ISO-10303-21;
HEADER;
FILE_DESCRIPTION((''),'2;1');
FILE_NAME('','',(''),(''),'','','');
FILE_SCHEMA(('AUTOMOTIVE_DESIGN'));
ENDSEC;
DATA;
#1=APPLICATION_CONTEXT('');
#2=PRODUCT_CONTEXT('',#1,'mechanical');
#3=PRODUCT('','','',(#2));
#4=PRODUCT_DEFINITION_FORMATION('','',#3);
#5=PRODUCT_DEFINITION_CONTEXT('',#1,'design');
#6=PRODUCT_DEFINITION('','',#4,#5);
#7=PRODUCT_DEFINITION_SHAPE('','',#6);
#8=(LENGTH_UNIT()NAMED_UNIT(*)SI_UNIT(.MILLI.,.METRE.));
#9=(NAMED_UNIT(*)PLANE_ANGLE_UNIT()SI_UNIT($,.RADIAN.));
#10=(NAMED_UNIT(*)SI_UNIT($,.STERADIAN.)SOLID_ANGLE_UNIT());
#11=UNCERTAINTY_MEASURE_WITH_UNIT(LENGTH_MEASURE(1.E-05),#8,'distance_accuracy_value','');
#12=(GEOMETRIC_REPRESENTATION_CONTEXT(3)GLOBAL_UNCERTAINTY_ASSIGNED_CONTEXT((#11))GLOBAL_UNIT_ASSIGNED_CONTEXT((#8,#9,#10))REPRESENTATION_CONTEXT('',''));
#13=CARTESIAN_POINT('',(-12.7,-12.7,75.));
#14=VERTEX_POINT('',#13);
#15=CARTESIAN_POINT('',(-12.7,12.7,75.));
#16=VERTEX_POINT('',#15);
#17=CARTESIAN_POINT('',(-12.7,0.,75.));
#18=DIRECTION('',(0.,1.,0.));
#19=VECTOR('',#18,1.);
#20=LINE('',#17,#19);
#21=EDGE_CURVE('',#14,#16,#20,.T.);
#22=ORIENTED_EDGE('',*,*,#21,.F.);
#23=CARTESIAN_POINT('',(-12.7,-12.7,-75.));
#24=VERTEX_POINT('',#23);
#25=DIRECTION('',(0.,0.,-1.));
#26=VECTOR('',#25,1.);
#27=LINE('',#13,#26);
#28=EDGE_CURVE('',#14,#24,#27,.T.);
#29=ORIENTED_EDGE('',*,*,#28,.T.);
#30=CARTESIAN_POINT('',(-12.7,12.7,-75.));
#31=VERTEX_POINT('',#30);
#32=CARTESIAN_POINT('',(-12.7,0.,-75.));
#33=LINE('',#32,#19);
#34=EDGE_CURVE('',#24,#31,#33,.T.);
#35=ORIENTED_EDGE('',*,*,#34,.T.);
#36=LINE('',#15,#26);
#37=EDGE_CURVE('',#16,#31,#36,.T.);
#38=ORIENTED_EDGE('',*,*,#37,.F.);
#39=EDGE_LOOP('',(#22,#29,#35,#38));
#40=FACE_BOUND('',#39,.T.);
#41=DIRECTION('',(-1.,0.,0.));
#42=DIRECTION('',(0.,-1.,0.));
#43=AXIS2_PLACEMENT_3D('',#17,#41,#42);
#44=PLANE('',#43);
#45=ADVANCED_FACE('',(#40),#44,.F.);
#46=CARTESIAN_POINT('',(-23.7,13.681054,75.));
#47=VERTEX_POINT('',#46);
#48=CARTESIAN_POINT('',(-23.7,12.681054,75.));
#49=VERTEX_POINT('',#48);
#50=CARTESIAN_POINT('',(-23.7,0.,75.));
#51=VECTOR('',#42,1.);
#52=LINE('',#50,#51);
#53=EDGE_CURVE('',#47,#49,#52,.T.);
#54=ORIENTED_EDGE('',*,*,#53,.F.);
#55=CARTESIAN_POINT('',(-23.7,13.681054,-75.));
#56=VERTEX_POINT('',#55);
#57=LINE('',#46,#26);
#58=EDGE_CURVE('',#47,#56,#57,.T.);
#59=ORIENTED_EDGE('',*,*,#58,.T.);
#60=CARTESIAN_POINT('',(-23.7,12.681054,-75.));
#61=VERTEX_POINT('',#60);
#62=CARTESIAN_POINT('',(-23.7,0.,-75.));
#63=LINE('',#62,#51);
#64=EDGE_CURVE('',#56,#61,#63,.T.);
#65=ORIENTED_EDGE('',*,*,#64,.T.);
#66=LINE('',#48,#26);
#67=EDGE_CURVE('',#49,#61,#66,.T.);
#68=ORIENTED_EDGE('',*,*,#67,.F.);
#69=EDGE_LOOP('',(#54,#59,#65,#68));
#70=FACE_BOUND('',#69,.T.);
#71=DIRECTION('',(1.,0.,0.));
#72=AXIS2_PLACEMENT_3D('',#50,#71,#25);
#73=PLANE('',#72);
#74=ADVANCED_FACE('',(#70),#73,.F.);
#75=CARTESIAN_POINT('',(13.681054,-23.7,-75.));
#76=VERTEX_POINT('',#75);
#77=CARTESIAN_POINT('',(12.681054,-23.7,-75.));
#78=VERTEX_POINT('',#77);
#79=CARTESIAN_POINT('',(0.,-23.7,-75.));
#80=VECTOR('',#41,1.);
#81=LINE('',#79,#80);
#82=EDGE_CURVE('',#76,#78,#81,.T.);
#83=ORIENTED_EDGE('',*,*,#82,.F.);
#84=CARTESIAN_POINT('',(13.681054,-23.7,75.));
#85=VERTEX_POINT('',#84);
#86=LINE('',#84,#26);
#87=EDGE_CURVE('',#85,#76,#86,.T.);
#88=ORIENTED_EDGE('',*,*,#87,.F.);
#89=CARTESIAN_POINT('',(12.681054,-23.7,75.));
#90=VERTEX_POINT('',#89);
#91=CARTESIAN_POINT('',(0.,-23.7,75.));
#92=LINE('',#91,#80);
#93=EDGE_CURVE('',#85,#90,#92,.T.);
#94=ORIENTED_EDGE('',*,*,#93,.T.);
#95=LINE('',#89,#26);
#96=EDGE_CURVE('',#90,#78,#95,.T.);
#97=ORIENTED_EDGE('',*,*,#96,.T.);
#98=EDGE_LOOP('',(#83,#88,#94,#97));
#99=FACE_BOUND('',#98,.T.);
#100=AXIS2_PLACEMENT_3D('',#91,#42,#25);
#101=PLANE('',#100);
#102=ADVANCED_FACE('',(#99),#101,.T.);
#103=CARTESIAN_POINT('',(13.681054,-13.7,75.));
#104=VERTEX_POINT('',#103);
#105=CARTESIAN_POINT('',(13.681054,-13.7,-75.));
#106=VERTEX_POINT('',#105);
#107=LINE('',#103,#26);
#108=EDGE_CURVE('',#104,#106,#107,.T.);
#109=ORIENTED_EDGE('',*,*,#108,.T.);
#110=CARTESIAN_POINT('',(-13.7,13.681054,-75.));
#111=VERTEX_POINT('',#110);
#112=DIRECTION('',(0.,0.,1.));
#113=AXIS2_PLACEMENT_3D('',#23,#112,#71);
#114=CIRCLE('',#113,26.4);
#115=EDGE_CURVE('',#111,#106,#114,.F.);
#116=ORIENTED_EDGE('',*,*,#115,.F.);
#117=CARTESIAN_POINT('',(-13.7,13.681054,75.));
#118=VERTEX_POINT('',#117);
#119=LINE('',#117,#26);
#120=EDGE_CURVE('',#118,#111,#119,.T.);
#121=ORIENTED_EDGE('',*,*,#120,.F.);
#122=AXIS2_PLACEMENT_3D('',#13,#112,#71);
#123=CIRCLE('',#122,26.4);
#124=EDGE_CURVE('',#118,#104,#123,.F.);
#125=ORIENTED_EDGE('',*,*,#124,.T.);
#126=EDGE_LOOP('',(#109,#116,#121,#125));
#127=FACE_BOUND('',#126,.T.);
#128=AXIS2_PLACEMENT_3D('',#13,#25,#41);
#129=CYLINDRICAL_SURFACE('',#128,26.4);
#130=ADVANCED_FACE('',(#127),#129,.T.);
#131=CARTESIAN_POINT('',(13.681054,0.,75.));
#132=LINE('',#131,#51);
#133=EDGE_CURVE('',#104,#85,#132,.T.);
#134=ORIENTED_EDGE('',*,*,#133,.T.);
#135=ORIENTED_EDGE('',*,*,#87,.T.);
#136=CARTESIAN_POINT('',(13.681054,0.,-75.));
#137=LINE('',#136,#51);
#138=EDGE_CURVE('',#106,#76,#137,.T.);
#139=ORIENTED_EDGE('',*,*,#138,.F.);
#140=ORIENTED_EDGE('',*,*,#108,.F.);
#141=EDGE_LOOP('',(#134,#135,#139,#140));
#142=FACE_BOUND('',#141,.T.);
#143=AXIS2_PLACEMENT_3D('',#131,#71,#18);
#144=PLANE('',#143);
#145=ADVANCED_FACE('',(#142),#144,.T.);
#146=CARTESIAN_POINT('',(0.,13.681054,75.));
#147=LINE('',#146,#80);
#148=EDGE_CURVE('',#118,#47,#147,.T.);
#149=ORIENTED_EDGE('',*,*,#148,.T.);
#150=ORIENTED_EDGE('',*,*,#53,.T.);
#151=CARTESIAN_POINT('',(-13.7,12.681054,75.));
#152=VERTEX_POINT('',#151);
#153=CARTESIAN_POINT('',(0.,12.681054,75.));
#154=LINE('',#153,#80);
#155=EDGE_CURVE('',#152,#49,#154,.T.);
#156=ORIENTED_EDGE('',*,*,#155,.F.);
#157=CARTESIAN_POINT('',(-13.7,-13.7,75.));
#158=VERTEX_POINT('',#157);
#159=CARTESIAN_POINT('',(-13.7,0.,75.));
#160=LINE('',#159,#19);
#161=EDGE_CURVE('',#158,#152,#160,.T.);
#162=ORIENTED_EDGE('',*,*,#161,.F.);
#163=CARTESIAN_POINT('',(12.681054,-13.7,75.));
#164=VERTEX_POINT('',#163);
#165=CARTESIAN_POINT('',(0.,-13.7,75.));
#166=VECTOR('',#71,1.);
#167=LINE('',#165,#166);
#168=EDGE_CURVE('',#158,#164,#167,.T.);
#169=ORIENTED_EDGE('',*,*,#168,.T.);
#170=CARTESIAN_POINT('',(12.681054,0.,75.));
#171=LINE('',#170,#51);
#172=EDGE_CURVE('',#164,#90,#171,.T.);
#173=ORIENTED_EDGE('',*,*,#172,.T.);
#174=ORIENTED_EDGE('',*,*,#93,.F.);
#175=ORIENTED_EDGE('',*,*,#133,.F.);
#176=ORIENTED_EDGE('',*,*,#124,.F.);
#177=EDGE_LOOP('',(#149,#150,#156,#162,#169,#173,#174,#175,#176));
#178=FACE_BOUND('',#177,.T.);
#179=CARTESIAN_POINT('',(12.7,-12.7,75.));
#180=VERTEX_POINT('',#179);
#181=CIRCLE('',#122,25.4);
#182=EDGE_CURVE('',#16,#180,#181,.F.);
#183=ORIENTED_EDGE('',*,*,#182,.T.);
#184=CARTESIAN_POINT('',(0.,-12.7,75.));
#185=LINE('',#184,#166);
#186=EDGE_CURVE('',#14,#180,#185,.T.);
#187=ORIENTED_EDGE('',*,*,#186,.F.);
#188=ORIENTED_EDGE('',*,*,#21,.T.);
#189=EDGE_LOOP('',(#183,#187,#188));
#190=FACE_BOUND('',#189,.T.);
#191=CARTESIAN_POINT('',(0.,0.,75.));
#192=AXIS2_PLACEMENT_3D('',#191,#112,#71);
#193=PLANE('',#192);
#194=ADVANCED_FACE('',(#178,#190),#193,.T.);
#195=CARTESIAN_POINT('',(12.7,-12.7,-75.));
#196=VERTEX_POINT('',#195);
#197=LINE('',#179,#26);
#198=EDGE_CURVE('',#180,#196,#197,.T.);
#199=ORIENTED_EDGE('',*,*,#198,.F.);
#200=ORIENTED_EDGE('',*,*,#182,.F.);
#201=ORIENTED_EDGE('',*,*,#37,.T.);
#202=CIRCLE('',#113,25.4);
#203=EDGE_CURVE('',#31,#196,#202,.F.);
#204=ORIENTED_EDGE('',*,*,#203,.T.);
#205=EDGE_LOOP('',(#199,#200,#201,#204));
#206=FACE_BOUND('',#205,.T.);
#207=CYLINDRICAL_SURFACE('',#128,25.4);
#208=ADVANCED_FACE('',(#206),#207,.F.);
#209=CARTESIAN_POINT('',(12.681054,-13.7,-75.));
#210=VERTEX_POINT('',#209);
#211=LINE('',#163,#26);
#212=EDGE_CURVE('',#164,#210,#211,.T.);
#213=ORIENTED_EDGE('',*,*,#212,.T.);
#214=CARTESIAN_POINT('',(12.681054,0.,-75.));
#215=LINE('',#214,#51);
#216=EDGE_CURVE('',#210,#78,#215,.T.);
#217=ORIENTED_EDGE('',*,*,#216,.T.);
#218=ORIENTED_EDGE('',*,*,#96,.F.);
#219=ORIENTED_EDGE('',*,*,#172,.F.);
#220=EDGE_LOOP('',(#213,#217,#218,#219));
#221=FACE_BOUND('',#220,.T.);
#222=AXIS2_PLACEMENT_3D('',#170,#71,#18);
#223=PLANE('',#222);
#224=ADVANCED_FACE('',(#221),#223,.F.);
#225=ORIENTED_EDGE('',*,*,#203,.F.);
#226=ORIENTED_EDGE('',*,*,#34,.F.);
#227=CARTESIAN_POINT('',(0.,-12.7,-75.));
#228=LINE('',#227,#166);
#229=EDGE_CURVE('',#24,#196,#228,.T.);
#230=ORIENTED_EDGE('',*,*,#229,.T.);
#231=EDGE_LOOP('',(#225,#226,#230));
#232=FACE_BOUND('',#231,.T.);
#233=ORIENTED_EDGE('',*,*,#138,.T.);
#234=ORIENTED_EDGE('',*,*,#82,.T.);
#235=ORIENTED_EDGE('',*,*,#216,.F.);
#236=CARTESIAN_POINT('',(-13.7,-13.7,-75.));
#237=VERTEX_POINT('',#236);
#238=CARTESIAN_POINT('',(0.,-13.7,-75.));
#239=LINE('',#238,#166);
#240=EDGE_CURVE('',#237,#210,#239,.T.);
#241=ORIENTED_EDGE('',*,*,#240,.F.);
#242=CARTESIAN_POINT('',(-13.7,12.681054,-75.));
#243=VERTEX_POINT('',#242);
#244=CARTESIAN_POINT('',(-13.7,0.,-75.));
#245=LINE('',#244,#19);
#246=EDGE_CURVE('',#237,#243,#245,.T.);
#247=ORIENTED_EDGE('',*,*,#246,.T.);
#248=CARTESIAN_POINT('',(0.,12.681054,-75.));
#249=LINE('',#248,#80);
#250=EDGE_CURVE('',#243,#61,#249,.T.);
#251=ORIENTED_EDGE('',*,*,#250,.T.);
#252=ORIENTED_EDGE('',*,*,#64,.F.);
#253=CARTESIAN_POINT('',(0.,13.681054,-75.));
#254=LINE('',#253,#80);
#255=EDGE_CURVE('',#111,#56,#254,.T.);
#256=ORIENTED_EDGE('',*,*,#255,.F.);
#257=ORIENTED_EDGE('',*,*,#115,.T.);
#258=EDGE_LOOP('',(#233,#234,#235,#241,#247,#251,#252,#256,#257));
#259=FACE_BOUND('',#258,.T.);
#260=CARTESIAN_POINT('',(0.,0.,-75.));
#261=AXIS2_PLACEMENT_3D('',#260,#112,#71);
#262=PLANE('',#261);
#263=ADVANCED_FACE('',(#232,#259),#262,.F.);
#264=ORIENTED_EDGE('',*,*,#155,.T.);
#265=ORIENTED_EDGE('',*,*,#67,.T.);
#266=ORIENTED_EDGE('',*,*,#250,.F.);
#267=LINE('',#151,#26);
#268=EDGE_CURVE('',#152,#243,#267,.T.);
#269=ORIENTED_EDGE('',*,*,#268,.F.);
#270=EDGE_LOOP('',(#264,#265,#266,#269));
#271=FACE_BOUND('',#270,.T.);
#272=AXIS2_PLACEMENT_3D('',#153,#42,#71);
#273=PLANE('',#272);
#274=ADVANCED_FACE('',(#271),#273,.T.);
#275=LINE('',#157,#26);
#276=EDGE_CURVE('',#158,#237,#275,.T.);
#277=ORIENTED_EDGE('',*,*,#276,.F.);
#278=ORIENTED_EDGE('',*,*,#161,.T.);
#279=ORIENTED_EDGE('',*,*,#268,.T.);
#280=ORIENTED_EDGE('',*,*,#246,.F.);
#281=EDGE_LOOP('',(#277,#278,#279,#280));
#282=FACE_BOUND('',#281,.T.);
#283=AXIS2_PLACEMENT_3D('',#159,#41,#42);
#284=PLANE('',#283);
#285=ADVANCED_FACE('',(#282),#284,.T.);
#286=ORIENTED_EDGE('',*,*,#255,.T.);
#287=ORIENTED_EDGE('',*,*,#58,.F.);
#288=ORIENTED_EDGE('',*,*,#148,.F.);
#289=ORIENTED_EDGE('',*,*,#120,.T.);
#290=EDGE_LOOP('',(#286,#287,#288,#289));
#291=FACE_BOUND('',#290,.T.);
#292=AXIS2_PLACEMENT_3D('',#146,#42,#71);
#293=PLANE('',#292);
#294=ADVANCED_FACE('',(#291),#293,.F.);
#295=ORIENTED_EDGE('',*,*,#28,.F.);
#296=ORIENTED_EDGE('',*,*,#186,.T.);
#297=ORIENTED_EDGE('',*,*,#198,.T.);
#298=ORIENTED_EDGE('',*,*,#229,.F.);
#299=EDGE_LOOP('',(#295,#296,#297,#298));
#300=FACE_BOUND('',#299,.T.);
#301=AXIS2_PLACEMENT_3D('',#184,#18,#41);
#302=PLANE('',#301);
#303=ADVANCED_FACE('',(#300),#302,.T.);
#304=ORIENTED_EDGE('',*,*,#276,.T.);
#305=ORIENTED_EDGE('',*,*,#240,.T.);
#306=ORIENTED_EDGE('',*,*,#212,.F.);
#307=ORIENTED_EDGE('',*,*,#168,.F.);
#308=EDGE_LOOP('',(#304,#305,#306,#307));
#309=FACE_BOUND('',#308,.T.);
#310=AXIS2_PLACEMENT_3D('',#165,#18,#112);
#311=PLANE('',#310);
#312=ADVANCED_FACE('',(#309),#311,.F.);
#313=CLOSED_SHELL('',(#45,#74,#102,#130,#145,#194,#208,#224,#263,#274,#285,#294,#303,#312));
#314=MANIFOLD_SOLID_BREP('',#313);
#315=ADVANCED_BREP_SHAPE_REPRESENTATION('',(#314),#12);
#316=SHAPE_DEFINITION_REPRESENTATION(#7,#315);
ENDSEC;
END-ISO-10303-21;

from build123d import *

# Parameters (mm, degrees)
CROQUIS1_W              = 10
CROQUIS1_H              = 1
CROQUIS1_W_2            = 1
CROQUIS1_H_2            = 10
SALIENTE_EXTRUIR1_DEPTH = 75


with BuildPart() as part:
    # Croquis1 → Saliente-Extruir1 (new body, symmetric)
    with BuildSketch(Plane.XY):
        with BuildLine():
            ThreePointArc((-13.7, 13.681053808), (5.967619023, 5.967619023), (13.681053808, -13.7))
            Line((13.681053808, -13.7), (-13.7, -13.7))
            Line((-13.7, -13.7), (-13.7, 13.681053808))
        make_face()
        with BuildLine():
            Line((-12.7, -12.7), (-12.7, 12.7))
            ThreePointArc((-12.7, 12.7), (5.260512242, 5.260512242), (12.7, -12.7))
            Line((12.7, -12.7), (-12.7, -12.7))
        make_face(mode=Mode.SUBTRACT)
        with Locations((-18.7, 13.181053808)):
            Rectangle(CROQUIS1_W, CROQUIS1_H)
        with Locations((13.181053808, -18.7)):
            Rectangle(CROQUIS1_W_2, CROQUIS1_H_2)
    extrude(amount=SALIENTE_EXTRUIR1_DEPTH, both=True)


solid = part.part
